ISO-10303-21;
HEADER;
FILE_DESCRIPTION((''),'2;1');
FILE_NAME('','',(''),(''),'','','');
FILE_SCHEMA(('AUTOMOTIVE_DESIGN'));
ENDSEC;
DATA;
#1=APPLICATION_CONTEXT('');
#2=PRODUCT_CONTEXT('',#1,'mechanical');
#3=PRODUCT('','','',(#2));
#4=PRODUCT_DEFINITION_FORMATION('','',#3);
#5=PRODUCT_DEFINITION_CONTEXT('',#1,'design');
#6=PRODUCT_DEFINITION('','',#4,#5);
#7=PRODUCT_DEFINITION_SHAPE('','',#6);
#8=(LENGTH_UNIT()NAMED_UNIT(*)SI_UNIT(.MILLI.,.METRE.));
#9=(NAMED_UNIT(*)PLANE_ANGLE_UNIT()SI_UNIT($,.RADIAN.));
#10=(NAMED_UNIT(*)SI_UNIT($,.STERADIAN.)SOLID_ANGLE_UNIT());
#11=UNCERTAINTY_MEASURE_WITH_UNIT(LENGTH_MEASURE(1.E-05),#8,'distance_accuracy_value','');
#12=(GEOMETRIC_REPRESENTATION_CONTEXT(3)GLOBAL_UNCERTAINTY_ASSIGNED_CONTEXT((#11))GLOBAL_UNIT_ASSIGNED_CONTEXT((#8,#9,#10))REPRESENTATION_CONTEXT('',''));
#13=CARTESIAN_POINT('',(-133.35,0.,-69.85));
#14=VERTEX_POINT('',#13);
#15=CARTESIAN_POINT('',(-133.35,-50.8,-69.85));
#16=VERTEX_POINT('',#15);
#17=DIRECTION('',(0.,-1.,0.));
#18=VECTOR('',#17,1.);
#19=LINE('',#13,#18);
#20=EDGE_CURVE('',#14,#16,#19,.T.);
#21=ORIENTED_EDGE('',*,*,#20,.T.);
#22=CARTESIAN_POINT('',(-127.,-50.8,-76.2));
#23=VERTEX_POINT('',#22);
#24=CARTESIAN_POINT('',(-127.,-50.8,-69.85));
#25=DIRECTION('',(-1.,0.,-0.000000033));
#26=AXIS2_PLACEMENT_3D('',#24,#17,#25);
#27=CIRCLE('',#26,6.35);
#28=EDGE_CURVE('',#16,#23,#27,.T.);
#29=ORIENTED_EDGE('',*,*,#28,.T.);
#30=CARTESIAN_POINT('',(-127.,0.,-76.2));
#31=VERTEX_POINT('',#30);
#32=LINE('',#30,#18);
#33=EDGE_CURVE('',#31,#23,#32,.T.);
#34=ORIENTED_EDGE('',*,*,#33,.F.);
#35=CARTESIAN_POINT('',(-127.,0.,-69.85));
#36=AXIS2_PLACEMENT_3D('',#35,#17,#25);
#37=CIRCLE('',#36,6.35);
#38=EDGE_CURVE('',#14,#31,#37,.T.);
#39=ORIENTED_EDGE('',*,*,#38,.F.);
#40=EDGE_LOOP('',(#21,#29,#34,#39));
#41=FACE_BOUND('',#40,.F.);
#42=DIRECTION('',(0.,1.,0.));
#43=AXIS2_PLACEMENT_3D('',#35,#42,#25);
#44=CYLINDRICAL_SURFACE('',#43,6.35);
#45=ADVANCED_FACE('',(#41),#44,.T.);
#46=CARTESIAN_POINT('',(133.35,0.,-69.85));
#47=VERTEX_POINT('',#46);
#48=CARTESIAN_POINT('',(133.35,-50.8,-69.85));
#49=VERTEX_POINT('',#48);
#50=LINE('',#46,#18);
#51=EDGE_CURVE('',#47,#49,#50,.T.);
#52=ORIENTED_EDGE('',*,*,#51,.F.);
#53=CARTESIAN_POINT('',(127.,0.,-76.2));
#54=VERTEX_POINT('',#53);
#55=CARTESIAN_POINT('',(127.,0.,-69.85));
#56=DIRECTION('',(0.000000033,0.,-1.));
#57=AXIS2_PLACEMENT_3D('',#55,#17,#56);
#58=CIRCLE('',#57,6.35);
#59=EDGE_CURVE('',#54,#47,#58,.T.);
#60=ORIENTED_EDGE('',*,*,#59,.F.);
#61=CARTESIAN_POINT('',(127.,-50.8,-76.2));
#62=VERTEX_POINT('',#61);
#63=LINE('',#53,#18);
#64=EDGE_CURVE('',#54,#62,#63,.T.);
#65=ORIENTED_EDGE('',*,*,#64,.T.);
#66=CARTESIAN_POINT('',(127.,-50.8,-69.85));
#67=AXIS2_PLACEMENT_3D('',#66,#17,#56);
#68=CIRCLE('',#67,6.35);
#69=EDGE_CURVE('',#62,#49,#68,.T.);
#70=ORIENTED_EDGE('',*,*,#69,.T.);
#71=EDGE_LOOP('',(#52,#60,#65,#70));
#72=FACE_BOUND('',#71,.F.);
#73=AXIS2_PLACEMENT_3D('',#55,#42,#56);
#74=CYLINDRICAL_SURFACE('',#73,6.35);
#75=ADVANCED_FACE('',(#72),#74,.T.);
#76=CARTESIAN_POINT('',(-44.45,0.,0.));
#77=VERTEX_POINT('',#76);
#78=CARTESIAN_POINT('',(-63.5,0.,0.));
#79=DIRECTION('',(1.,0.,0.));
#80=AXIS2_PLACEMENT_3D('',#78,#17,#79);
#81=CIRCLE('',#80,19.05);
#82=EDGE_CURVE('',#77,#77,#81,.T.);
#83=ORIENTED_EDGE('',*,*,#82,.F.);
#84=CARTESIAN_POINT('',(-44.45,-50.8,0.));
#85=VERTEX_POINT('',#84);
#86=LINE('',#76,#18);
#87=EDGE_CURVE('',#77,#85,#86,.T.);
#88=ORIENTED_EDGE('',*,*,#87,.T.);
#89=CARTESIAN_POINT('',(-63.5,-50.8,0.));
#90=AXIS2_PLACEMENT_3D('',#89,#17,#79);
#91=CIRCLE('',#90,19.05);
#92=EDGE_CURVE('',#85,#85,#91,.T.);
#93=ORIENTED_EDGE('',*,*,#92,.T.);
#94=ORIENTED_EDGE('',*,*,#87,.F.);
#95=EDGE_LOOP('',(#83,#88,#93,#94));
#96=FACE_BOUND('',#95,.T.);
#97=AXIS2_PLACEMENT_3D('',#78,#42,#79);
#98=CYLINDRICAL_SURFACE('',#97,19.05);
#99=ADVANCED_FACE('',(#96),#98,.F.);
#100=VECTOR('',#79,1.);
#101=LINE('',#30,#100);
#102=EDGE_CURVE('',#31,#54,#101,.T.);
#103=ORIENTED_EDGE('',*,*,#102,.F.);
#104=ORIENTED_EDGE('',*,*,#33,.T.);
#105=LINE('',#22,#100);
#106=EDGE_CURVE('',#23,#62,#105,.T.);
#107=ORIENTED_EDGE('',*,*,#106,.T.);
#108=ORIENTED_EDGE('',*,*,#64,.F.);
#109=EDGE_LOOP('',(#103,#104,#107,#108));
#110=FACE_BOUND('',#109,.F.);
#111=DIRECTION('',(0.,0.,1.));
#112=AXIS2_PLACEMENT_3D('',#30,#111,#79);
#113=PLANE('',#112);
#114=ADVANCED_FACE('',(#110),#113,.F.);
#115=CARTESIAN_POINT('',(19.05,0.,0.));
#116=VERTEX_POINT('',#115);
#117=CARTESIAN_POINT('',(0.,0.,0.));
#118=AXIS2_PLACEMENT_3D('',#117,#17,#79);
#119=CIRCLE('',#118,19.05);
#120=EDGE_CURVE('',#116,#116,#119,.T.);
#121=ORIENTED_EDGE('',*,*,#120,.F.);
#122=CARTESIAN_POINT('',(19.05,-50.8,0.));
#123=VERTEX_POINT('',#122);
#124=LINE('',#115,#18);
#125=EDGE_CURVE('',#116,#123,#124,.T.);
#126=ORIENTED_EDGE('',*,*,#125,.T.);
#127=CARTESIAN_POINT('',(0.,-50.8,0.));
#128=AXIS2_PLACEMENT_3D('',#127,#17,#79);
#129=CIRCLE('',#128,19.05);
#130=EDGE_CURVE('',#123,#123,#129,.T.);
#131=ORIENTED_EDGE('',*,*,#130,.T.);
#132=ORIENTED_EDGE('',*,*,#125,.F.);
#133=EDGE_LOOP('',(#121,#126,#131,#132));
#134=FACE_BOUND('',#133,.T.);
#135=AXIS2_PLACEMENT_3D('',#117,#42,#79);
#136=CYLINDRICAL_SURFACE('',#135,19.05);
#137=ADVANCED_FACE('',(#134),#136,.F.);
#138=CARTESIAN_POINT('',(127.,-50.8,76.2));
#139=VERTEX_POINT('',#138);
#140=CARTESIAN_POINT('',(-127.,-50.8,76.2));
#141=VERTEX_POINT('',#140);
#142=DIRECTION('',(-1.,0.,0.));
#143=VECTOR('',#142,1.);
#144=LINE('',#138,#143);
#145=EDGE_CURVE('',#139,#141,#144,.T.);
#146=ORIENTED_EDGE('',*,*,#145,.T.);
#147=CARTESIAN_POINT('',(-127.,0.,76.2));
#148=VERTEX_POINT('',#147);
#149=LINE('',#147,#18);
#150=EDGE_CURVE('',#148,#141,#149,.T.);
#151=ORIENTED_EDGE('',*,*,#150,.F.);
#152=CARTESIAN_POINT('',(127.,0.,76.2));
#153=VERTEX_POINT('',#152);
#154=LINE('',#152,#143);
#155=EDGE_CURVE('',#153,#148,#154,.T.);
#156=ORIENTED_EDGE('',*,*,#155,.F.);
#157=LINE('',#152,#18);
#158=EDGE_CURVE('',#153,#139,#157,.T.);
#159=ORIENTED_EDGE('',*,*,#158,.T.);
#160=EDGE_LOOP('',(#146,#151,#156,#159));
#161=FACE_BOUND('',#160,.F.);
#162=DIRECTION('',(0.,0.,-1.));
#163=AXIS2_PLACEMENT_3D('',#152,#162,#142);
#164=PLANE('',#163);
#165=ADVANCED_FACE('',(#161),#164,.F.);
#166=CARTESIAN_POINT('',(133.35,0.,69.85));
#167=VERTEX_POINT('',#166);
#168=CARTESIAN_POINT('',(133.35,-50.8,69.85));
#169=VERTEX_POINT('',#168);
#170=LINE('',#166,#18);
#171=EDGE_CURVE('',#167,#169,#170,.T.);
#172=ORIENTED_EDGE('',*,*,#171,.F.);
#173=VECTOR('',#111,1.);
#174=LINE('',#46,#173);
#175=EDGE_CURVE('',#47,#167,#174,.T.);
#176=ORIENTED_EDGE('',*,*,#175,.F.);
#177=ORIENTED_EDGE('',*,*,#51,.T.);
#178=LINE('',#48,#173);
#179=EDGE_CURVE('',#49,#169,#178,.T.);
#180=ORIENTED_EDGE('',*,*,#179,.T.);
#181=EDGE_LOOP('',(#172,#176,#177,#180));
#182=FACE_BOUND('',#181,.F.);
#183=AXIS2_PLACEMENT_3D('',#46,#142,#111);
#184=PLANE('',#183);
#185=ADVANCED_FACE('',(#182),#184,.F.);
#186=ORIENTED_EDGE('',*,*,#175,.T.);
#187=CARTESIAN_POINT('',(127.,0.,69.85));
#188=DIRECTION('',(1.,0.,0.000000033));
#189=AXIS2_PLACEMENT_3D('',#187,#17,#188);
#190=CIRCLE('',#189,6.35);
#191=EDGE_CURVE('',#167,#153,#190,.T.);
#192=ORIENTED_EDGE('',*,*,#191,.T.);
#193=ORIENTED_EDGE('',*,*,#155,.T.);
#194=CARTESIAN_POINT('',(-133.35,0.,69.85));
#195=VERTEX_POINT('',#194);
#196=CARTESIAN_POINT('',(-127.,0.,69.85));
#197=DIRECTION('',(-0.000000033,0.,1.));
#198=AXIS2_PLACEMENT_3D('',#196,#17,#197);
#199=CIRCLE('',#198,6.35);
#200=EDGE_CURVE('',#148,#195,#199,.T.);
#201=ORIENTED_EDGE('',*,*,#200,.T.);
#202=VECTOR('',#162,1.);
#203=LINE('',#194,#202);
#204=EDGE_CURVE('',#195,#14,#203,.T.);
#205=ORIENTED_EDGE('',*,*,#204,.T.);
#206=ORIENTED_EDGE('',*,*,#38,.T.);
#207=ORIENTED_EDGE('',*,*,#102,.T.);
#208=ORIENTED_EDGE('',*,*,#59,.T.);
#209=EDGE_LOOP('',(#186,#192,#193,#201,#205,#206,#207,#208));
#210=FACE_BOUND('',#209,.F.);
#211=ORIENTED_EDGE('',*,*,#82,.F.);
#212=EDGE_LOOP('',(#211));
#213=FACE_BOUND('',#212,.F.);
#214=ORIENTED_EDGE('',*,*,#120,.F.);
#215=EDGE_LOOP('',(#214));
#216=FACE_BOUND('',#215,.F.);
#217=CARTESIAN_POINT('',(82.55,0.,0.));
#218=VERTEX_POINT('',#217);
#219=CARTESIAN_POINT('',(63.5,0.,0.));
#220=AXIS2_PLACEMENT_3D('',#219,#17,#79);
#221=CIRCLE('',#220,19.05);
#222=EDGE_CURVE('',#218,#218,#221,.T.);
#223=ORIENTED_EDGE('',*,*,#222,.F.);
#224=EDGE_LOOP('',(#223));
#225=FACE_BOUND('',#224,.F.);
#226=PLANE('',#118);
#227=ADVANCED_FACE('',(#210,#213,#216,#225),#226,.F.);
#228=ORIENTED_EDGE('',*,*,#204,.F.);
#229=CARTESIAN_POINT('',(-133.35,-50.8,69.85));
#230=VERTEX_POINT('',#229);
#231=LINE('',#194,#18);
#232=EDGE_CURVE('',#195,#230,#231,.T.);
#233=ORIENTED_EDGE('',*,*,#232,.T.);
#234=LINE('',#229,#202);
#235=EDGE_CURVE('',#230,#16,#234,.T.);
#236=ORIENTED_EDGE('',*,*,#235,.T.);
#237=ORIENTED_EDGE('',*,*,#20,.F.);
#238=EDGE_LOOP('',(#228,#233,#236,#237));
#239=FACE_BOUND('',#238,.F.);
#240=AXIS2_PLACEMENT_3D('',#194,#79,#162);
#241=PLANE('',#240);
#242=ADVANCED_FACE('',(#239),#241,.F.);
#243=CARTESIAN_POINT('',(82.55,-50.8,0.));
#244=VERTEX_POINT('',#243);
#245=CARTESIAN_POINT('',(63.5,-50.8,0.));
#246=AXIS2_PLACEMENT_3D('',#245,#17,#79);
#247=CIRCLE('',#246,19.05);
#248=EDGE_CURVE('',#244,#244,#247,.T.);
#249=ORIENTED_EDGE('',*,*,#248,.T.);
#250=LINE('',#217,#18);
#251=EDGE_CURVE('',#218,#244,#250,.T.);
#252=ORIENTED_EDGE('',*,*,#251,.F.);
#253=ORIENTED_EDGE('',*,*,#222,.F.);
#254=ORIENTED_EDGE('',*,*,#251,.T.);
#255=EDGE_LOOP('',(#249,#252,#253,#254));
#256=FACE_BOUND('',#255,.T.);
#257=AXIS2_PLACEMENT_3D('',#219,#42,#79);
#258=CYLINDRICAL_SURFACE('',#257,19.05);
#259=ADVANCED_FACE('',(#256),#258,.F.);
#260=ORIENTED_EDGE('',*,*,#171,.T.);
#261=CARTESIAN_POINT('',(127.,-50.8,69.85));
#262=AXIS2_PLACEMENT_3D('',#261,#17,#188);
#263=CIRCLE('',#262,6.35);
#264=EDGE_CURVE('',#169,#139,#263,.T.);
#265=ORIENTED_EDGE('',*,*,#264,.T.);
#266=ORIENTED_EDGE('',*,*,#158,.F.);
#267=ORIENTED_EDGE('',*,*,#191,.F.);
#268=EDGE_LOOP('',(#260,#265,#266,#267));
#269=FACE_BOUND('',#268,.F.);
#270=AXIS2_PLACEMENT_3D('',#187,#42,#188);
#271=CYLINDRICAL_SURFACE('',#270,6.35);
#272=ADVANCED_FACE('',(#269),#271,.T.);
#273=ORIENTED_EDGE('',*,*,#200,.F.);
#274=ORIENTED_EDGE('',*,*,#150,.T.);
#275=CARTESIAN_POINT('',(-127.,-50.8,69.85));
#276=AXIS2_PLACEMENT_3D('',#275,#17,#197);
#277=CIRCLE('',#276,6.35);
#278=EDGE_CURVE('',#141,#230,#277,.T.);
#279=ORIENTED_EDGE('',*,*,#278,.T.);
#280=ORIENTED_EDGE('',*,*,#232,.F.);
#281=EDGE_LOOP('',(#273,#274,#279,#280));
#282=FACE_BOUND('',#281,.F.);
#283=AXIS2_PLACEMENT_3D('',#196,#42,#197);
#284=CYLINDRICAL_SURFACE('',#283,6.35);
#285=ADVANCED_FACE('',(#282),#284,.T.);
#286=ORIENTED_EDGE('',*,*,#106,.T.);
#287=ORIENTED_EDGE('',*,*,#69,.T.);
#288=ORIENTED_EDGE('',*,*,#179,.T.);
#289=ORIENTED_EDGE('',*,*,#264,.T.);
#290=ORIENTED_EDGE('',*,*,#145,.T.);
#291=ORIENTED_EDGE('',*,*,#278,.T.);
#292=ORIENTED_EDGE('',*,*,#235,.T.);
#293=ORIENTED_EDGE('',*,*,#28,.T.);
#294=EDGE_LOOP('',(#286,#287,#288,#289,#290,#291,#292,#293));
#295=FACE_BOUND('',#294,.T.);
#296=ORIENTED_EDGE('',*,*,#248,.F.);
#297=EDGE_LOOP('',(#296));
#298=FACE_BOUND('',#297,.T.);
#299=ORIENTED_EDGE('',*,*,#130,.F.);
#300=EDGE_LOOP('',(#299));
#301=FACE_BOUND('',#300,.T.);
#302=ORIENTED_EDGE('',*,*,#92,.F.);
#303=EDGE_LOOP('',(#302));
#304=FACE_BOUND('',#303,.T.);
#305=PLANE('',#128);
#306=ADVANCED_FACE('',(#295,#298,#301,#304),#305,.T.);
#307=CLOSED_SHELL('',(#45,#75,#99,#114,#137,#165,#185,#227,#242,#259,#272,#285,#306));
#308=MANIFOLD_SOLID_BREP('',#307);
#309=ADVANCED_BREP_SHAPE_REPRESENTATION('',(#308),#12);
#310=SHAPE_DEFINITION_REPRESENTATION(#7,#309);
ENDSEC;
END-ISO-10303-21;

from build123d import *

# Parameters (mm, degrees)
F0_R     = 19.05
F1_DEPTH = 50.8
F2_DEPTH = 25.4


with BuildPart() as f1:
    # F0 (on Front) → F1 (new body)
    with BuildSketch(Plane.XZ):
        with BuildLine():
            Line((-127, -76.2), (127, -76.2))
            ThreePointArc((127, -76.2), (131.490128, -74.340128), (133.35, -69.85))
            Line((133.35, -69.85), (133.35, 69.85))
            ThreePointArc((133.35, 69.85), (131.490128, 74.340128), (127, 76.2))
            Line((127, 76.2), (-127, 76.2))
            ThreePointArc((-127, 76.2), (-131.490128, 74.340128), (-133.35, 69.85))
            Line((-133.35, 69.85), (-133.35, -69.85))
            ThreePointArc((-133.35, -69.85), (-131.490128, -74.340128), (-127, -76.2))
        make_face()
        with Locations((-63.5, 0)):
            Circle(F0_R, mode=Mode.SUBTRACT)
        Circle(F0_R, mode=Mode.SUBTRACT)
        with Locations((63.5, 0)):
            Circle(F0_R, mode=Mode.SUBTRACT)
    extrude(amount=F1_DEPTH)

    # F0 (on Front) → F2 (cut)
    with BuildSketch(Plane.XZ):
        with Locations((-63.5, 0)):
            Circle(F0_R)
        Circle(F0_R)
        with Locations((63.5, 0)):
            Circle(F0_R)
    extrude(amount=-F2_DEPTH, mode=Mode.SUBTRACT)


solid = f1.part
